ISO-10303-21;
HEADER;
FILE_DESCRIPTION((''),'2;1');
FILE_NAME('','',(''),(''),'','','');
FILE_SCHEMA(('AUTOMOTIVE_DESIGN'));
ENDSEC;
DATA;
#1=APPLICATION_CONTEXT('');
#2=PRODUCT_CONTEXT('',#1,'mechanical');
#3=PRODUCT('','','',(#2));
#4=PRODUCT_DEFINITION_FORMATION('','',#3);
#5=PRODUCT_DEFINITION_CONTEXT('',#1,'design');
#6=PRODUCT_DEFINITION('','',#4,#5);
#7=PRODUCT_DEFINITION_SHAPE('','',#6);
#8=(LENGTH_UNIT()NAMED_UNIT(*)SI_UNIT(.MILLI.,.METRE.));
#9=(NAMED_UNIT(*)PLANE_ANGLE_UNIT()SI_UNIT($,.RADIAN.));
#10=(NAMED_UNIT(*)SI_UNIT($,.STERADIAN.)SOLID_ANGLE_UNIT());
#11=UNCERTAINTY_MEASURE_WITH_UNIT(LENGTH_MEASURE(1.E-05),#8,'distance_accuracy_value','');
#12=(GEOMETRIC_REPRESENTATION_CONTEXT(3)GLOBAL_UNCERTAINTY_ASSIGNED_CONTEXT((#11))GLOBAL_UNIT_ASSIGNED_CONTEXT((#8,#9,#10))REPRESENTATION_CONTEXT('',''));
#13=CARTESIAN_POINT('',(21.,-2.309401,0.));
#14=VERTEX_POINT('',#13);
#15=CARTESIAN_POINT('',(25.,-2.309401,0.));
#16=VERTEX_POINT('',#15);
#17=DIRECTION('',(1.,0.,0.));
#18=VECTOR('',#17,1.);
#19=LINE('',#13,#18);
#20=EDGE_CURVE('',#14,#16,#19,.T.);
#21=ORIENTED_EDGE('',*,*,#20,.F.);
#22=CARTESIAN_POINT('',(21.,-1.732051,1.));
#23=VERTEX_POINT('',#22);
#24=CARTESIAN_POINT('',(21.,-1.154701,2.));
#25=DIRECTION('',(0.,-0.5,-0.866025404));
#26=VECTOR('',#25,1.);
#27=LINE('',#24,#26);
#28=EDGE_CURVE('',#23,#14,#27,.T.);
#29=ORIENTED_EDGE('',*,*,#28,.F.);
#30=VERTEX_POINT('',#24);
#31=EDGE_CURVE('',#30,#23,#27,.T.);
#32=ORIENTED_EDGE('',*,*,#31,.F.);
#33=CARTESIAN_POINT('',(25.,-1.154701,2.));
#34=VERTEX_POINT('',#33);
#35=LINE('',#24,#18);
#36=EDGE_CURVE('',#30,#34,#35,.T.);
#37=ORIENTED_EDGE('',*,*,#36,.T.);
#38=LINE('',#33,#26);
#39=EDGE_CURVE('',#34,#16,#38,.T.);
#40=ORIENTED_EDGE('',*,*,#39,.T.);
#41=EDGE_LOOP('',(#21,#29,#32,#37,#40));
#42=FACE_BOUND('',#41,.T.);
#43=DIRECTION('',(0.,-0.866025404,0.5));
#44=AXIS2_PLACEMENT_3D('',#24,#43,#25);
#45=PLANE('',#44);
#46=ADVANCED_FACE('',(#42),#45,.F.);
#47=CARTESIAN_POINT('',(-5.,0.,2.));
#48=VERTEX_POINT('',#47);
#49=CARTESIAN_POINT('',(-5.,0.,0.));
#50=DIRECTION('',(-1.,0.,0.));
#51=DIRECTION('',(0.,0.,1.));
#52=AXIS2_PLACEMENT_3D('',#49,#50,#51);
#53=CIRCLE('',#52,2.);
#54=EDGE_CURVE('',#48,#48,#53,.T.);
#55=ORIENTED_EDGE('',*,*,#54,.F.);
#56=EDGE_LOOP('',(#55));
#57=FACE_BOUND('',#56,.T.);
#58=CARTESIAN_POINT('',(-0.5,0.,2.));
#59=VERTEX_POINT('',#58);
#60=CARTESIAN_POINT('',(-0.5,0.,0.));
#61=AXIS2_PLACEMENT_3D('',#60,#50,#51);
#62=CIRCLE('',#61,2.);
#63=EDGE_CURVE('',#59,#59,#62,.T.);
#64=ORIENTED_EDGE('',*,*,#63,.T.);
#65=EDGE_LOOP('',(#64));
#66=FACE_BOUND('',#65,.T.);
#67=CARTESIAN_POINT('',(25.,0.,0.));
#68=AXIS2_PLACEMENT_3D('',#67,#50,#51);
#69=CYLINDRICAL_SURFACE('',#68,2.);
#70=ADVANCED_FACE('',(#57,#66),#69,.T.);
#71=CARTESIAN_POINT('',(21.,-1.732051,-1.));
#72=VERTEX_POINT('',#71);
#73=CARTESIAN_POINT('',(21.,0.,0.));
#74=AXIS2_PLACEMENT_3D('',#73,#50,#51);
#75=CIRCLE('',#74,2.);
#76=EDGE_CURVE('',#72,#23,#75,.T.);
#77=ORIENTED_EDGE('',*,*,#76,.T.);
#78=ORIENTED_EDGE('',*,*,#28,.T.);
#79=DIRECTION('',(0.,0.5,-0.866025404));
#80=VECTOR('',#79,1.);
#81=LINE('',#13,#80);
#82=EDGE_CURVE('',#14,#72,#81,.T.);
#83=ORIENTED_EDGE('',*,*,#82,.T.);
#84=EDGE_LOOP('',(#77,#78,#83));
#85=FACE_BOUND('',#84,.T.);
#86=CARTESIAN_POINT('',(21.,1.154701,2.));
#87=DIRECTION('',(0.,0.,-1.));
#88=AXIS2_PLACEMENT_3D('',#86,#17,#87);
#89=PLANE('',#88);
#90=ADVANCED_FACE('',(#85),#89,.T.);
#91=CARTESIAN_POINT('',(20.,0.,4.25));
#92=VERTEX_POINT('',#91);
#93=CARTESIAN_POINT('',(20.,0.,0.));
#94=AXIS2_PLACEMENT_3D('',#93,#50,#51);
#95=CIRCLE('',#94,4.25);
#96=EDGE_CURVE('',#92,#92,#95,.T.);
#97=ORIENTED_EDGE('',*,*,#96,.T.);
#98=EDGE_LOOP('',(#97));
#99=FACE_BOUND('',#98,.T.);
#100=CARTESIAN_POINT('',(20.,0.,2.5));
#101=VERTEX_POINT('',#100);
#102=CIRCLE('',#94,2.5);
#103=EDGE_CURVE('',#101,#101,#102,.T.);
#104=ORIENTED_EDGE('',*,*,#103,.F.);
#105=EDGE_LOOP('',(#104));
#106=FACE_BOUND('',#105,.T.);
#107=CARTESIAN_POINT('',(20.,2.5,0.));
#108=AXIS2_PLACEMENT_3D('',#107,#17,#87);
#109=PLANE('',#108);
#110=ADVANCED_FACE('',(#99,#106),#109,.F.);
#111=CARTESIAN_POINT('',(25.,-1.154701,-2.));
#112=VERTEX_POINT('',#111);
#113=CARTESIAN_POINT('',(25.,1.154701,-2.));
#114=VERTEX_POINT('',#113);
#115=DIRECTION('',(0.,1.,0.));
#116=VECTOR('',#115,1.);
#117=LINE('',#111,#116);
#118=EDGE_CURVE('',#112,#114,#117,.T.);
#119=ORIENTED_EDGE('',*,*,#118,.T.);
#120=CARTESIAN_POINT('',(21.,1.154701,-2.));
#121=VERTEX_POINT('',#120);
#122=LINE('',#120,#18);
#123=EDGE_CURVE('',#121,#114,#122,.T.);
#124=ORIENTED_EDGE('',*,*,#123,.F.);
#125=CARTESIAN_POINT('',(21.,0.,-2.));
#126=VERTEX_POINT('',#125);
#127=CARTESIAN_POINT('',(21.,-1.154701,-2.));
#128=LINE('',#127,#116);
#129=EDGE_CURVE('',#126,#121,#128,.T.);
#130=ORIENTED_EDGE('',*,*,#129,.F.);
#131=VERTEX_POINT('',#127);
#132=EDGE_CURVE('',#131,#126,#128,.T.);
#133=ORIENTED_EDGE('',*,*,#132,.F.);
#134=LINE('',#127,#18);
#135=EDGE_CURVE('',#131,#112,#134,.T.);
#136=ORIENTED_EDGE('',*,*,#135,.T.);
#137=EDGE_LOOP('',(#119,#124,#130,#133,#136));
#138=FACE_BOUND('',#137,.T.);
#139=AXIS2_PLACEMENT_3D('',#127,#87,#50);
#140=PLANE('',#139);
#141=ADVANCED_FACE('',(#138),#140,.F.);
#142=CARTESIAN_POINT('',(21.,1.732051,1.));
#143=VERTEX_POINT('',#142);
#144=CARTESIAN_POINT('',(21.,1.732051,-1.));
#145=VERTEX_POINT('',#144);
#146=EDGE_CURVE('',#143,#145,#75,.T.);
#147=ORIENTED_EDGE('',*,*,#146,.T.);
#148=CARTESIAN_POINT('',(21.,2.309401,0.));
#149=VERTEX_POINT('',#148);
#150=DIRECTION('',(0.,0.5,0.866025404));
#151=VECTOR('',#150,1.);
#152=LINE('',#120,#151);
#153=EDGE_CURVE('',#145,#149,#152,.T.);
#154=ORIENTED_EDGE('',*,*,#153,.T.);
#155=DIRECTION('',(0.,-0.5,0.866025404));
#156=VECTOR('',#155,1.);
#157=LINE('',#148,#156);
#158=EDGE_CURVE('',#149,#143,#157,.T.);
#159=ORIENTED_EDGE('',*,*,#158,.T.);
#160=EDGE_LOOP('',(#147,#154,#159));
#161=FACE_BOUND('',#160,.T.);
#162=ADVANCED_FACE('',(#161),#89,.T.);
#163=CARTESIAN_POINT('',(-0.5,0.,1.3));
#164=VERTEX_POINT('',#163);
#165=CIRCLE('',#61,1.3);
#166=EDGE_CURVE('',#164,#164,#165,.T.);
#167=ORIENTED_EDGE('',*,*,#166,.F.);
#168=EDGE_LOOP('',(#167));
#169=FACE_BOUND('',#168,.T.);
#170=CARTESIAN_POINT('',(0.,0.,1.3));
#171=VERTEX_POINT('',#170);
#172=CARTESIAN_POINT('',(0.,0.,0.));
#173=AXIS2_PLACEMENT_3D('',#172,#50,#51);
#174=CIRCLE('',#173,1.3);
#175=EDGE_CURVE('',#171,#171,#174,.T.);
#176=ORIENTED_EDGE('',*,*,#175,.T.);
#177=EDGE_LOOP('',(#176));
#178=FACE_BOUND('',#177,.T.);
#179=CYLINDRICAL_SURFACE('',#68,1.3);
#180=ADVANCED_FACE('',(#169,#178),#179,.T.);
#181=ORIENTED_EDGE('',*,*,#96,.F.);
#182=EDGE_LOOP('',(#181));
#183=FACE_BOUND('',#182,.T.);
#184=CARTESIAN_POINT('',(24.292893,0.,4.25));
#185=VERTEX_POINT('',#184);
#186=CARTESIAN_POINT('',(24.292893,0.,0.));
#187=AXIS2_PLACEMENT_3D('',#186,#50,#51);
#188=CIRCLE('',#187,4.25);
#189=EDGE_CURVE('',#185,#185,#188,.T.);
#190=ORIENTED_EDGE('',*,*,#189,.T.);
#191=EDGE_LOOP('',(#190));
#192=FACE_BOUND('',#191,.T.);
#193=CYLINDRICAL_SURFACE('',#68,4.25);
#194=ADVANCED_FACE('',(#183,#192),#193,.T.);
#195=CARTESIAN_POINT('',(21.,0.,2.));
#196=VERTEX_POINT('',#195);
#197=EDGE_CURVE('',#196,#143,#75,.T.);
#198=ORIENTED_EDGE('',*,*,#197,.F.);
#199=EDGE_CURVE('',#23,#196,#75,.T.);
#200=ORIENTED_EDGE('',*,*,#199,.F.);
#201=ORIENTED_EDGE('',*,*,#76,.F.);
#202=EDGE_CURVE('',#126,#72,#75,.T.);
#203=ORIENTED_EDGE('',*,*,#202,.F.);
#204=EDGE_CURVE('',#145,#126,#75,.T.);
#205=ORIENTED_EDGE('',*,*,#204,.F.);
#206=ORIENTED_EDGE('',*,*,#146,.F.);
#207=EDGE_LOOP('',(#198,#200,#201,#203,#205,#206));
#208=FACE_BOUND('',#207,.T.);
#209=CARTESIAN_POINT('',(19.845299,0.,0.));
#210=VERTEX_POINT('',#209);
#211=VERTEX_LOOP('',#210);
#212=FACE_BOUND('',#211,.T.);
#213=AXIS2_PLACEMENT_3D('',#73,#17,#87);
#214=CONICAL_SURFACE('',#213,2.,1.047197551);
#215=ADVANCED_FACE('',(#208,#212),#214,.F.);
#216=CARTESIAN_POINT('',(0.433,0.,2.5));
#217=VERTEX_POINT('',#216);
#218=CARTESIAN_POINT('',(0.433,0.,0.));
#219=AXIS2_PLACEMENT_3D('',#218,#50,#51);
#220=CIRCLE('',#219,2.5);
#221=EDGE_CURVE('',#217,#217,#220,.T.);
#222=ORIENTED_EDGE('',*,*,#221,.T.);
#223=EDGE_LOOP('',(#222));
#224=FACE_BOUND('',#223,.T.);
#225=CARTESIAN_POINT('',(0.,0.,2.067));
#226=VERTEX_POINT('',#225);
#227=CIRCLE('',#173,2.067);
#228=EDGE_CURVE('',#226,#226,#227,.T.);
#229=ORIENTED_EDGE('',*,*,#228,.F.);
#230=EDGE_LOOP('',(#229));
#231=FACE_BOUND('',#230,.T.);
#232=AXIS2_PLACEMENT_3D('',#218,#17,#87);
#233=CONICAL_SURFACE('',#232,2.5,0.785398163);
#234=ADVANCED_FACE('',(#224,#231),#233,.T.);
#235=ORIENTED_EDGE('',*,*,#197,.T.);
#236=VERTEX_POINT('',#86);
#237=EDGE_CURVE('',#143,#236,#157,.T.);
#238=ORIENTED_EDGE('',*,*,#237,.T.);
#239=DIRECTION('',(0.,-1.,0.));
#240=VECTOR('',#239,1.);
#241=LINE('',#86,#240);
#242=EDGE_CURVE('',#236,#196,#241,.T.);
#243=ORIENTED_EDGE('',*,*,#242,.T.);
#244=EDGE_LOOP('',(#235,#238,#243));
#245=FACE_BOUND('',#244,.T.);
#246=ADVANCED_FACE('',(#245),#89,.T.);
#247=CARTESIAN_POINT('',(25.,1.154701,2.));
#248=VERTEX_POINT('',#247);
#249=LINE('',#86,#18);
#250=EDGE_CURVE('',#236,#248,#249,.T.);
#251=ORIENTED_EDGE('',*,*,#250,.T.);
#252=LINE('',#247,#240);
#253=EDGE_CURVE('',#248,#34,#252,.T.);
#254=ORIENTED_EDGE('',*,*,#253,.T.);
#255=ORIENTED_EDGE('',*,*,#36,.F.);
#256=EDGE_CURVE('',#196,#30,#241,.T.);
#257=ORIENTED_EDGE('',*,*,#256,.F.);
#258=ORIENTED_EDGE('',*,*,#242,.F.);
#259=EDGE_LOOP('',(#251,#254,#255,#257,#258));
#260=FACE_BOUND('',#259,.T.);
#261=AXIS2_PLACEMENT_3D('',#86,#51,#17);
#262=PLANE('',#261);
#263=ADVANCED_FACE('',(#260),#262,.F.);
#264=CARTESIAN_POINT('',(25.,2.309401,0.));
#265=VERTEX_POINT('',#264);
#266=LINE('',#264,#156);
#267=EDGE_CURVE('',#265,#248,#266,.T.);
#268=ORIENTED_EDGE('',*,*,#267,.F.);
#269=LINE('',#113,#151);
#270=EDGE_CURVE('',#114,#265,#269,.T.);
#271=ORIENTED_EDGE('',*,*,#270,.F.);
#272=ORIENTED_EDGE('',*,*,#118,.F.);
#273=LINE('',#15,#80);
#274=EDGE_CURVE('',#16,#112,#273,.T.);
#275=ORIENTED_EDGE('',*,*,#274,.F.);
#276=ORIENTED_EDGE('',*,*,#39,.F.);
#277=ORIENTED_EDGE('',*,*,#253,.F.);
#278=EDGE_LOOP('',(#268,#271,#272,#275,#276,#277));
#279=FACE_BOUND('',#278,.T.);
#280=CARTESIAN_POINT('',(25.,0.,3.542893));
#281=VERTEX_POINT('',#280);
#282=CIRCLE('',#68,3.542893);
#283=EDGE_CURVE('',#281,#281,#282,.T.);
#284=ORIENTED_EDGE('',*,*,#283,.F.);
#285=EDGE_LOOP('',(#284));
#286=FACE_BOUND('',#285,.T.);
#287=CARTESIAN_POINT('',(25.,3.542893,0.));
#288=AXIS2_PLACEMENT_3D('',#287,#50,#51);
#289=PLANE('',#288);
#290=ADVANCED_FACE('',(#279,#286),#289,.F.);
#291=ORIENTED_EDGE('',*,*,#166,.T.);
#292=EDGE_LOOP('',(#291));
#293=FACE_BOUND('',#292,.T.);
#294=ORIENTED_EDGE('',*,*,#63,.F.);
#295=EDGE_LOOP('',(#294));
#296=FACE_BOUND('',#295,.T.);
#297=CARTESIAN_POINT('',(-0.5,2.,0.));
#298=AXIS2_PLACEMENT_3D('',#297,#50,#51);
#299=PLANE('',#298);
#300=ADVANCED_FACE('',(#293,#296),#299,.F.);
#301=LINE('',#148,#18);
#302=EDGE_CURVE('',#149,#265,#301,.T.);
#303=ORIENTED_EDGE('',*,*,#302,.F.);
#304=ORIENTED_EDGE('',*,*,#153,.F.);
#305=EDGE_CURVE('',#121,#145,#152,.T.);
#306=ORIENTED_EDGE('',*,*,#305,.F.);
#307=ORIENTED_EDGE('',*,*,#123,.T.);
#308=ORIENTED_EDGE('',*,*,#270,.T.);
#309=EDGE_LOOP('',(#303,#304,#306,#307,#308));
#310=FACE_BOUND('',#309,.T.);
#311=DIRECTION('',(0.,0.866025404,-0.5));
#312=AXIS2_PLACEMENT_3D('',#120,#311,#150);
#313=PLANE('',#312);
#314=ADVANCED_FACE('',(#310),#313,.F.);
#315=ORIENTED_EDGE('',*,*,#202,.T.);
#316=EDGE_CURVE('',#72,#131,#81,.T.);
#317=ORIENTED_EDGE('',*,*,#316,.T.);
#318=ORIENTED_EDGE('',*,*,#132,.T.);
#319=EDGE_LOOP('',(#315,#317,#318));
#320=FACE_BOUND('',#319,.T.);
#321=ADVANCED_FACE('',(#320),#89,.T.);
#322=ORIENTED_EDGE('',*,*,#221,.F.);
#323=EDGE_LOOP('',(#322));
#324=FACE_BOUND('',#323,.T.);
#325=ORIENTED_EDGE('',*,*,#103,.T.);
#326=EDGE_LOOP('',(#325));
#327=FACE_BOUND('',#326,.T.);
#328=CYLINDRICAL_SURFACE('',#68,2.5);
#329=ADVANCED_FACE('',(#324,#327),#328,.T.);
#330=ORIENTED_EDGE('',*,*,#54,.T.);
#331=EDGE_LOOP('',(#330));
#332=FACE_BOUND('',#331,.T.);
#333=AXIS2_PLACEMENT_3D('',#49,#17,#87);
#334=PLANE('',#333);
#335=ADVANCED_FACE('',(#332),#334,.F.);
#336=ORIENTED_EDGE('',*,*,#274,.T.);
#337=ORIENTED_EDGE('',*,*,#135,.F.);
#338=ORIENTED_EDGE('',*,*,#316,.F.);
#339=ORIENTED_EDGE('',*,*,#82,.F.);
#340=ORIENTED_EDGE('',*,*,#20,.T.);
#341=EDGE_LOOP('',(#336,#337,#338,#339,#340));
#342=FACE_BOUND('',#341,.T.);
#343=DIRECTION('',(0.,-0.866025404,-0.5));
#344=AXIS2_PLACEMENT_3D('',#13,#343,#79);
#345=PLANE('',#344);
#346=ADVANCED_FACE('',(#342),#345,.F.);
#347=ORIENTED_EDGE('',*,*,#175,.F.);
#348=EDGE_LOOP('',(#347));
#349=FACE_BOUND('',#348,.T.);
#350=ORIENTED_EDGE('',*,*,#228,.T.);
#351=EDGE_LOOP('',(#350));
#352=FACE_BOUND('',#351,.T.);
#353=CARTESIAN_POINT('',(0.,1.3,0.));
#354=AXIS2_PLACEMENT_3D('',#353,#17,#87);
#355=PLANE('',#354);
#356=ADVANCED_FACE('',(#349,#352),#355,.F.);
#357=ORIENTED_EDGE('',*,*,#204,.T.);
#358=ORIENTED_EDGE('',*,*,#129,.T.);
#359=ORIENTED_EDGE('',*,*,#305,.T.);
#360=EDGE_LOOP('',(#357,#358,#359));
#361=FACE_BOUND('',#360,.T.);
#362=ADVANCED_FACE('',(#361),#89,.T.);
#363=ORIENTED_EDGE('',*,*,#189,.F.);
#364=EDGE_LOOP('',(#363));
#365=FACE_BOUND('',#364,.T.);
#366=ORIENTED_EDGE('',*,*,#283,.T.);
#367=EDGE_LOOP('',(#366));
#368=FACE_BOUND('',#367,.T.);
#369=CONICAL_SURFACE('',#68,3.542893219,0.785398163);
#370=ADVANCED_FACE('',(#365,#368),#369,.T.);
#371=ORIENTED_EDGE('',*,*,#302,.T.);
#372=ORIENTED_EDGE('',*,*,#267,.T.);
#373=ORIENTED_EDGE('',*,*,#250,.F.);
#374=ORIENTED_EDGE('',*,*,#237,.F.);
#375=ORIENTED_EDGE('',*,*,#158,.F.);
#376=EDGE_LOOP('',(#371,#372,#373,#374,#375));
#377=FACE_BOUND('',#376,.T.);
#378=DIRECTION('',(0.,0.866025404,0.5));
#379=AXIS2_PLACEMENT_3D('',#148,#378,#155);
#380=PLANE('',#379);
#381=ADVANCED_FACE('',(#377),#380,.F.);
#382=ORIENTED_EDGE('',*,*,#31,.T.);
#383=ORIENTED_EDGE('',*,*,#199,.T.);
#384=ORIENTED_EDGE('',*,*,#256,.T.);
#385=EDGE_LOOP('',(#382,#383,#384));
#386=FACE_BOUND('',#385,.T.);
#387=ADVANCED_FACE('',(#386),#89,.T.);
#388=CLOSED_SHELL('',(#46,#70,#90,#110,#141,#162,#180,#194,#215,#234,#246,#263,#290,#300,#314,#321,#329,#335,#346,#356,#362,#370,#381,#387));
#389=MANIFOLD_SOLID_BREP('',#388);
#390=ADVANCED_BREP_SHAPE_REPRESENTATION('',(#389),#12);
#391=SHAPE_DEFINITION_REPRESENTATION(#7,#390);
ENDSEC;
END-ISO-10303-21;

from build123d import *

# Parameters (mm, degrees)
CUT_EXTRUDE_1_DEPTH = 4


with BuildPart() as part:
    # 草图1 → 旋转1 (revolve)
    with BuildSketch(Plane.XY):
        Polygon((-5, 0), (-5, 2), (-0.5, 2), (-0.5, 1.3), (0, 1.3), (0, 2.067), (0.433, 2.5), (20, 2.5), (20, 4.25), (24.292893219, 4.25), (25, 3.542893219), (25, 0), align=None)
    revolve(axis=Axis((25, 0, 0), (-1, 0, 0)))

    # 草图2 → 切除-旋转1 (revolve, cut)
    with BuildSketch(Plane.XY):
        Polygon((19.845299462, 0), (21, 2), (25, 2), (25, 0), align=None)
    revolve(axis=Axis((25, 0, 0), (-1, 0, 0)), mode=Mode.SUBTRACT)

    # 草图3 → 切除-拉伸1 (cut)
    with BuildSketch(Plane(origin=(25, 0, 0), x_dir=(0, 0, -1), z_dir=(1, 0, 0))):
        Polygon((-2, 1.154700538), (-2, -1.154700538), (0, -2.309401077), (2, -1.154700538), (2, 1.154700538), (0, 2.309401077), align=None)
    extrude(amount=-CUT_EXTRUDE_1_DEPTH, mode=Mode.SUBTRACT)


solid = part.part
